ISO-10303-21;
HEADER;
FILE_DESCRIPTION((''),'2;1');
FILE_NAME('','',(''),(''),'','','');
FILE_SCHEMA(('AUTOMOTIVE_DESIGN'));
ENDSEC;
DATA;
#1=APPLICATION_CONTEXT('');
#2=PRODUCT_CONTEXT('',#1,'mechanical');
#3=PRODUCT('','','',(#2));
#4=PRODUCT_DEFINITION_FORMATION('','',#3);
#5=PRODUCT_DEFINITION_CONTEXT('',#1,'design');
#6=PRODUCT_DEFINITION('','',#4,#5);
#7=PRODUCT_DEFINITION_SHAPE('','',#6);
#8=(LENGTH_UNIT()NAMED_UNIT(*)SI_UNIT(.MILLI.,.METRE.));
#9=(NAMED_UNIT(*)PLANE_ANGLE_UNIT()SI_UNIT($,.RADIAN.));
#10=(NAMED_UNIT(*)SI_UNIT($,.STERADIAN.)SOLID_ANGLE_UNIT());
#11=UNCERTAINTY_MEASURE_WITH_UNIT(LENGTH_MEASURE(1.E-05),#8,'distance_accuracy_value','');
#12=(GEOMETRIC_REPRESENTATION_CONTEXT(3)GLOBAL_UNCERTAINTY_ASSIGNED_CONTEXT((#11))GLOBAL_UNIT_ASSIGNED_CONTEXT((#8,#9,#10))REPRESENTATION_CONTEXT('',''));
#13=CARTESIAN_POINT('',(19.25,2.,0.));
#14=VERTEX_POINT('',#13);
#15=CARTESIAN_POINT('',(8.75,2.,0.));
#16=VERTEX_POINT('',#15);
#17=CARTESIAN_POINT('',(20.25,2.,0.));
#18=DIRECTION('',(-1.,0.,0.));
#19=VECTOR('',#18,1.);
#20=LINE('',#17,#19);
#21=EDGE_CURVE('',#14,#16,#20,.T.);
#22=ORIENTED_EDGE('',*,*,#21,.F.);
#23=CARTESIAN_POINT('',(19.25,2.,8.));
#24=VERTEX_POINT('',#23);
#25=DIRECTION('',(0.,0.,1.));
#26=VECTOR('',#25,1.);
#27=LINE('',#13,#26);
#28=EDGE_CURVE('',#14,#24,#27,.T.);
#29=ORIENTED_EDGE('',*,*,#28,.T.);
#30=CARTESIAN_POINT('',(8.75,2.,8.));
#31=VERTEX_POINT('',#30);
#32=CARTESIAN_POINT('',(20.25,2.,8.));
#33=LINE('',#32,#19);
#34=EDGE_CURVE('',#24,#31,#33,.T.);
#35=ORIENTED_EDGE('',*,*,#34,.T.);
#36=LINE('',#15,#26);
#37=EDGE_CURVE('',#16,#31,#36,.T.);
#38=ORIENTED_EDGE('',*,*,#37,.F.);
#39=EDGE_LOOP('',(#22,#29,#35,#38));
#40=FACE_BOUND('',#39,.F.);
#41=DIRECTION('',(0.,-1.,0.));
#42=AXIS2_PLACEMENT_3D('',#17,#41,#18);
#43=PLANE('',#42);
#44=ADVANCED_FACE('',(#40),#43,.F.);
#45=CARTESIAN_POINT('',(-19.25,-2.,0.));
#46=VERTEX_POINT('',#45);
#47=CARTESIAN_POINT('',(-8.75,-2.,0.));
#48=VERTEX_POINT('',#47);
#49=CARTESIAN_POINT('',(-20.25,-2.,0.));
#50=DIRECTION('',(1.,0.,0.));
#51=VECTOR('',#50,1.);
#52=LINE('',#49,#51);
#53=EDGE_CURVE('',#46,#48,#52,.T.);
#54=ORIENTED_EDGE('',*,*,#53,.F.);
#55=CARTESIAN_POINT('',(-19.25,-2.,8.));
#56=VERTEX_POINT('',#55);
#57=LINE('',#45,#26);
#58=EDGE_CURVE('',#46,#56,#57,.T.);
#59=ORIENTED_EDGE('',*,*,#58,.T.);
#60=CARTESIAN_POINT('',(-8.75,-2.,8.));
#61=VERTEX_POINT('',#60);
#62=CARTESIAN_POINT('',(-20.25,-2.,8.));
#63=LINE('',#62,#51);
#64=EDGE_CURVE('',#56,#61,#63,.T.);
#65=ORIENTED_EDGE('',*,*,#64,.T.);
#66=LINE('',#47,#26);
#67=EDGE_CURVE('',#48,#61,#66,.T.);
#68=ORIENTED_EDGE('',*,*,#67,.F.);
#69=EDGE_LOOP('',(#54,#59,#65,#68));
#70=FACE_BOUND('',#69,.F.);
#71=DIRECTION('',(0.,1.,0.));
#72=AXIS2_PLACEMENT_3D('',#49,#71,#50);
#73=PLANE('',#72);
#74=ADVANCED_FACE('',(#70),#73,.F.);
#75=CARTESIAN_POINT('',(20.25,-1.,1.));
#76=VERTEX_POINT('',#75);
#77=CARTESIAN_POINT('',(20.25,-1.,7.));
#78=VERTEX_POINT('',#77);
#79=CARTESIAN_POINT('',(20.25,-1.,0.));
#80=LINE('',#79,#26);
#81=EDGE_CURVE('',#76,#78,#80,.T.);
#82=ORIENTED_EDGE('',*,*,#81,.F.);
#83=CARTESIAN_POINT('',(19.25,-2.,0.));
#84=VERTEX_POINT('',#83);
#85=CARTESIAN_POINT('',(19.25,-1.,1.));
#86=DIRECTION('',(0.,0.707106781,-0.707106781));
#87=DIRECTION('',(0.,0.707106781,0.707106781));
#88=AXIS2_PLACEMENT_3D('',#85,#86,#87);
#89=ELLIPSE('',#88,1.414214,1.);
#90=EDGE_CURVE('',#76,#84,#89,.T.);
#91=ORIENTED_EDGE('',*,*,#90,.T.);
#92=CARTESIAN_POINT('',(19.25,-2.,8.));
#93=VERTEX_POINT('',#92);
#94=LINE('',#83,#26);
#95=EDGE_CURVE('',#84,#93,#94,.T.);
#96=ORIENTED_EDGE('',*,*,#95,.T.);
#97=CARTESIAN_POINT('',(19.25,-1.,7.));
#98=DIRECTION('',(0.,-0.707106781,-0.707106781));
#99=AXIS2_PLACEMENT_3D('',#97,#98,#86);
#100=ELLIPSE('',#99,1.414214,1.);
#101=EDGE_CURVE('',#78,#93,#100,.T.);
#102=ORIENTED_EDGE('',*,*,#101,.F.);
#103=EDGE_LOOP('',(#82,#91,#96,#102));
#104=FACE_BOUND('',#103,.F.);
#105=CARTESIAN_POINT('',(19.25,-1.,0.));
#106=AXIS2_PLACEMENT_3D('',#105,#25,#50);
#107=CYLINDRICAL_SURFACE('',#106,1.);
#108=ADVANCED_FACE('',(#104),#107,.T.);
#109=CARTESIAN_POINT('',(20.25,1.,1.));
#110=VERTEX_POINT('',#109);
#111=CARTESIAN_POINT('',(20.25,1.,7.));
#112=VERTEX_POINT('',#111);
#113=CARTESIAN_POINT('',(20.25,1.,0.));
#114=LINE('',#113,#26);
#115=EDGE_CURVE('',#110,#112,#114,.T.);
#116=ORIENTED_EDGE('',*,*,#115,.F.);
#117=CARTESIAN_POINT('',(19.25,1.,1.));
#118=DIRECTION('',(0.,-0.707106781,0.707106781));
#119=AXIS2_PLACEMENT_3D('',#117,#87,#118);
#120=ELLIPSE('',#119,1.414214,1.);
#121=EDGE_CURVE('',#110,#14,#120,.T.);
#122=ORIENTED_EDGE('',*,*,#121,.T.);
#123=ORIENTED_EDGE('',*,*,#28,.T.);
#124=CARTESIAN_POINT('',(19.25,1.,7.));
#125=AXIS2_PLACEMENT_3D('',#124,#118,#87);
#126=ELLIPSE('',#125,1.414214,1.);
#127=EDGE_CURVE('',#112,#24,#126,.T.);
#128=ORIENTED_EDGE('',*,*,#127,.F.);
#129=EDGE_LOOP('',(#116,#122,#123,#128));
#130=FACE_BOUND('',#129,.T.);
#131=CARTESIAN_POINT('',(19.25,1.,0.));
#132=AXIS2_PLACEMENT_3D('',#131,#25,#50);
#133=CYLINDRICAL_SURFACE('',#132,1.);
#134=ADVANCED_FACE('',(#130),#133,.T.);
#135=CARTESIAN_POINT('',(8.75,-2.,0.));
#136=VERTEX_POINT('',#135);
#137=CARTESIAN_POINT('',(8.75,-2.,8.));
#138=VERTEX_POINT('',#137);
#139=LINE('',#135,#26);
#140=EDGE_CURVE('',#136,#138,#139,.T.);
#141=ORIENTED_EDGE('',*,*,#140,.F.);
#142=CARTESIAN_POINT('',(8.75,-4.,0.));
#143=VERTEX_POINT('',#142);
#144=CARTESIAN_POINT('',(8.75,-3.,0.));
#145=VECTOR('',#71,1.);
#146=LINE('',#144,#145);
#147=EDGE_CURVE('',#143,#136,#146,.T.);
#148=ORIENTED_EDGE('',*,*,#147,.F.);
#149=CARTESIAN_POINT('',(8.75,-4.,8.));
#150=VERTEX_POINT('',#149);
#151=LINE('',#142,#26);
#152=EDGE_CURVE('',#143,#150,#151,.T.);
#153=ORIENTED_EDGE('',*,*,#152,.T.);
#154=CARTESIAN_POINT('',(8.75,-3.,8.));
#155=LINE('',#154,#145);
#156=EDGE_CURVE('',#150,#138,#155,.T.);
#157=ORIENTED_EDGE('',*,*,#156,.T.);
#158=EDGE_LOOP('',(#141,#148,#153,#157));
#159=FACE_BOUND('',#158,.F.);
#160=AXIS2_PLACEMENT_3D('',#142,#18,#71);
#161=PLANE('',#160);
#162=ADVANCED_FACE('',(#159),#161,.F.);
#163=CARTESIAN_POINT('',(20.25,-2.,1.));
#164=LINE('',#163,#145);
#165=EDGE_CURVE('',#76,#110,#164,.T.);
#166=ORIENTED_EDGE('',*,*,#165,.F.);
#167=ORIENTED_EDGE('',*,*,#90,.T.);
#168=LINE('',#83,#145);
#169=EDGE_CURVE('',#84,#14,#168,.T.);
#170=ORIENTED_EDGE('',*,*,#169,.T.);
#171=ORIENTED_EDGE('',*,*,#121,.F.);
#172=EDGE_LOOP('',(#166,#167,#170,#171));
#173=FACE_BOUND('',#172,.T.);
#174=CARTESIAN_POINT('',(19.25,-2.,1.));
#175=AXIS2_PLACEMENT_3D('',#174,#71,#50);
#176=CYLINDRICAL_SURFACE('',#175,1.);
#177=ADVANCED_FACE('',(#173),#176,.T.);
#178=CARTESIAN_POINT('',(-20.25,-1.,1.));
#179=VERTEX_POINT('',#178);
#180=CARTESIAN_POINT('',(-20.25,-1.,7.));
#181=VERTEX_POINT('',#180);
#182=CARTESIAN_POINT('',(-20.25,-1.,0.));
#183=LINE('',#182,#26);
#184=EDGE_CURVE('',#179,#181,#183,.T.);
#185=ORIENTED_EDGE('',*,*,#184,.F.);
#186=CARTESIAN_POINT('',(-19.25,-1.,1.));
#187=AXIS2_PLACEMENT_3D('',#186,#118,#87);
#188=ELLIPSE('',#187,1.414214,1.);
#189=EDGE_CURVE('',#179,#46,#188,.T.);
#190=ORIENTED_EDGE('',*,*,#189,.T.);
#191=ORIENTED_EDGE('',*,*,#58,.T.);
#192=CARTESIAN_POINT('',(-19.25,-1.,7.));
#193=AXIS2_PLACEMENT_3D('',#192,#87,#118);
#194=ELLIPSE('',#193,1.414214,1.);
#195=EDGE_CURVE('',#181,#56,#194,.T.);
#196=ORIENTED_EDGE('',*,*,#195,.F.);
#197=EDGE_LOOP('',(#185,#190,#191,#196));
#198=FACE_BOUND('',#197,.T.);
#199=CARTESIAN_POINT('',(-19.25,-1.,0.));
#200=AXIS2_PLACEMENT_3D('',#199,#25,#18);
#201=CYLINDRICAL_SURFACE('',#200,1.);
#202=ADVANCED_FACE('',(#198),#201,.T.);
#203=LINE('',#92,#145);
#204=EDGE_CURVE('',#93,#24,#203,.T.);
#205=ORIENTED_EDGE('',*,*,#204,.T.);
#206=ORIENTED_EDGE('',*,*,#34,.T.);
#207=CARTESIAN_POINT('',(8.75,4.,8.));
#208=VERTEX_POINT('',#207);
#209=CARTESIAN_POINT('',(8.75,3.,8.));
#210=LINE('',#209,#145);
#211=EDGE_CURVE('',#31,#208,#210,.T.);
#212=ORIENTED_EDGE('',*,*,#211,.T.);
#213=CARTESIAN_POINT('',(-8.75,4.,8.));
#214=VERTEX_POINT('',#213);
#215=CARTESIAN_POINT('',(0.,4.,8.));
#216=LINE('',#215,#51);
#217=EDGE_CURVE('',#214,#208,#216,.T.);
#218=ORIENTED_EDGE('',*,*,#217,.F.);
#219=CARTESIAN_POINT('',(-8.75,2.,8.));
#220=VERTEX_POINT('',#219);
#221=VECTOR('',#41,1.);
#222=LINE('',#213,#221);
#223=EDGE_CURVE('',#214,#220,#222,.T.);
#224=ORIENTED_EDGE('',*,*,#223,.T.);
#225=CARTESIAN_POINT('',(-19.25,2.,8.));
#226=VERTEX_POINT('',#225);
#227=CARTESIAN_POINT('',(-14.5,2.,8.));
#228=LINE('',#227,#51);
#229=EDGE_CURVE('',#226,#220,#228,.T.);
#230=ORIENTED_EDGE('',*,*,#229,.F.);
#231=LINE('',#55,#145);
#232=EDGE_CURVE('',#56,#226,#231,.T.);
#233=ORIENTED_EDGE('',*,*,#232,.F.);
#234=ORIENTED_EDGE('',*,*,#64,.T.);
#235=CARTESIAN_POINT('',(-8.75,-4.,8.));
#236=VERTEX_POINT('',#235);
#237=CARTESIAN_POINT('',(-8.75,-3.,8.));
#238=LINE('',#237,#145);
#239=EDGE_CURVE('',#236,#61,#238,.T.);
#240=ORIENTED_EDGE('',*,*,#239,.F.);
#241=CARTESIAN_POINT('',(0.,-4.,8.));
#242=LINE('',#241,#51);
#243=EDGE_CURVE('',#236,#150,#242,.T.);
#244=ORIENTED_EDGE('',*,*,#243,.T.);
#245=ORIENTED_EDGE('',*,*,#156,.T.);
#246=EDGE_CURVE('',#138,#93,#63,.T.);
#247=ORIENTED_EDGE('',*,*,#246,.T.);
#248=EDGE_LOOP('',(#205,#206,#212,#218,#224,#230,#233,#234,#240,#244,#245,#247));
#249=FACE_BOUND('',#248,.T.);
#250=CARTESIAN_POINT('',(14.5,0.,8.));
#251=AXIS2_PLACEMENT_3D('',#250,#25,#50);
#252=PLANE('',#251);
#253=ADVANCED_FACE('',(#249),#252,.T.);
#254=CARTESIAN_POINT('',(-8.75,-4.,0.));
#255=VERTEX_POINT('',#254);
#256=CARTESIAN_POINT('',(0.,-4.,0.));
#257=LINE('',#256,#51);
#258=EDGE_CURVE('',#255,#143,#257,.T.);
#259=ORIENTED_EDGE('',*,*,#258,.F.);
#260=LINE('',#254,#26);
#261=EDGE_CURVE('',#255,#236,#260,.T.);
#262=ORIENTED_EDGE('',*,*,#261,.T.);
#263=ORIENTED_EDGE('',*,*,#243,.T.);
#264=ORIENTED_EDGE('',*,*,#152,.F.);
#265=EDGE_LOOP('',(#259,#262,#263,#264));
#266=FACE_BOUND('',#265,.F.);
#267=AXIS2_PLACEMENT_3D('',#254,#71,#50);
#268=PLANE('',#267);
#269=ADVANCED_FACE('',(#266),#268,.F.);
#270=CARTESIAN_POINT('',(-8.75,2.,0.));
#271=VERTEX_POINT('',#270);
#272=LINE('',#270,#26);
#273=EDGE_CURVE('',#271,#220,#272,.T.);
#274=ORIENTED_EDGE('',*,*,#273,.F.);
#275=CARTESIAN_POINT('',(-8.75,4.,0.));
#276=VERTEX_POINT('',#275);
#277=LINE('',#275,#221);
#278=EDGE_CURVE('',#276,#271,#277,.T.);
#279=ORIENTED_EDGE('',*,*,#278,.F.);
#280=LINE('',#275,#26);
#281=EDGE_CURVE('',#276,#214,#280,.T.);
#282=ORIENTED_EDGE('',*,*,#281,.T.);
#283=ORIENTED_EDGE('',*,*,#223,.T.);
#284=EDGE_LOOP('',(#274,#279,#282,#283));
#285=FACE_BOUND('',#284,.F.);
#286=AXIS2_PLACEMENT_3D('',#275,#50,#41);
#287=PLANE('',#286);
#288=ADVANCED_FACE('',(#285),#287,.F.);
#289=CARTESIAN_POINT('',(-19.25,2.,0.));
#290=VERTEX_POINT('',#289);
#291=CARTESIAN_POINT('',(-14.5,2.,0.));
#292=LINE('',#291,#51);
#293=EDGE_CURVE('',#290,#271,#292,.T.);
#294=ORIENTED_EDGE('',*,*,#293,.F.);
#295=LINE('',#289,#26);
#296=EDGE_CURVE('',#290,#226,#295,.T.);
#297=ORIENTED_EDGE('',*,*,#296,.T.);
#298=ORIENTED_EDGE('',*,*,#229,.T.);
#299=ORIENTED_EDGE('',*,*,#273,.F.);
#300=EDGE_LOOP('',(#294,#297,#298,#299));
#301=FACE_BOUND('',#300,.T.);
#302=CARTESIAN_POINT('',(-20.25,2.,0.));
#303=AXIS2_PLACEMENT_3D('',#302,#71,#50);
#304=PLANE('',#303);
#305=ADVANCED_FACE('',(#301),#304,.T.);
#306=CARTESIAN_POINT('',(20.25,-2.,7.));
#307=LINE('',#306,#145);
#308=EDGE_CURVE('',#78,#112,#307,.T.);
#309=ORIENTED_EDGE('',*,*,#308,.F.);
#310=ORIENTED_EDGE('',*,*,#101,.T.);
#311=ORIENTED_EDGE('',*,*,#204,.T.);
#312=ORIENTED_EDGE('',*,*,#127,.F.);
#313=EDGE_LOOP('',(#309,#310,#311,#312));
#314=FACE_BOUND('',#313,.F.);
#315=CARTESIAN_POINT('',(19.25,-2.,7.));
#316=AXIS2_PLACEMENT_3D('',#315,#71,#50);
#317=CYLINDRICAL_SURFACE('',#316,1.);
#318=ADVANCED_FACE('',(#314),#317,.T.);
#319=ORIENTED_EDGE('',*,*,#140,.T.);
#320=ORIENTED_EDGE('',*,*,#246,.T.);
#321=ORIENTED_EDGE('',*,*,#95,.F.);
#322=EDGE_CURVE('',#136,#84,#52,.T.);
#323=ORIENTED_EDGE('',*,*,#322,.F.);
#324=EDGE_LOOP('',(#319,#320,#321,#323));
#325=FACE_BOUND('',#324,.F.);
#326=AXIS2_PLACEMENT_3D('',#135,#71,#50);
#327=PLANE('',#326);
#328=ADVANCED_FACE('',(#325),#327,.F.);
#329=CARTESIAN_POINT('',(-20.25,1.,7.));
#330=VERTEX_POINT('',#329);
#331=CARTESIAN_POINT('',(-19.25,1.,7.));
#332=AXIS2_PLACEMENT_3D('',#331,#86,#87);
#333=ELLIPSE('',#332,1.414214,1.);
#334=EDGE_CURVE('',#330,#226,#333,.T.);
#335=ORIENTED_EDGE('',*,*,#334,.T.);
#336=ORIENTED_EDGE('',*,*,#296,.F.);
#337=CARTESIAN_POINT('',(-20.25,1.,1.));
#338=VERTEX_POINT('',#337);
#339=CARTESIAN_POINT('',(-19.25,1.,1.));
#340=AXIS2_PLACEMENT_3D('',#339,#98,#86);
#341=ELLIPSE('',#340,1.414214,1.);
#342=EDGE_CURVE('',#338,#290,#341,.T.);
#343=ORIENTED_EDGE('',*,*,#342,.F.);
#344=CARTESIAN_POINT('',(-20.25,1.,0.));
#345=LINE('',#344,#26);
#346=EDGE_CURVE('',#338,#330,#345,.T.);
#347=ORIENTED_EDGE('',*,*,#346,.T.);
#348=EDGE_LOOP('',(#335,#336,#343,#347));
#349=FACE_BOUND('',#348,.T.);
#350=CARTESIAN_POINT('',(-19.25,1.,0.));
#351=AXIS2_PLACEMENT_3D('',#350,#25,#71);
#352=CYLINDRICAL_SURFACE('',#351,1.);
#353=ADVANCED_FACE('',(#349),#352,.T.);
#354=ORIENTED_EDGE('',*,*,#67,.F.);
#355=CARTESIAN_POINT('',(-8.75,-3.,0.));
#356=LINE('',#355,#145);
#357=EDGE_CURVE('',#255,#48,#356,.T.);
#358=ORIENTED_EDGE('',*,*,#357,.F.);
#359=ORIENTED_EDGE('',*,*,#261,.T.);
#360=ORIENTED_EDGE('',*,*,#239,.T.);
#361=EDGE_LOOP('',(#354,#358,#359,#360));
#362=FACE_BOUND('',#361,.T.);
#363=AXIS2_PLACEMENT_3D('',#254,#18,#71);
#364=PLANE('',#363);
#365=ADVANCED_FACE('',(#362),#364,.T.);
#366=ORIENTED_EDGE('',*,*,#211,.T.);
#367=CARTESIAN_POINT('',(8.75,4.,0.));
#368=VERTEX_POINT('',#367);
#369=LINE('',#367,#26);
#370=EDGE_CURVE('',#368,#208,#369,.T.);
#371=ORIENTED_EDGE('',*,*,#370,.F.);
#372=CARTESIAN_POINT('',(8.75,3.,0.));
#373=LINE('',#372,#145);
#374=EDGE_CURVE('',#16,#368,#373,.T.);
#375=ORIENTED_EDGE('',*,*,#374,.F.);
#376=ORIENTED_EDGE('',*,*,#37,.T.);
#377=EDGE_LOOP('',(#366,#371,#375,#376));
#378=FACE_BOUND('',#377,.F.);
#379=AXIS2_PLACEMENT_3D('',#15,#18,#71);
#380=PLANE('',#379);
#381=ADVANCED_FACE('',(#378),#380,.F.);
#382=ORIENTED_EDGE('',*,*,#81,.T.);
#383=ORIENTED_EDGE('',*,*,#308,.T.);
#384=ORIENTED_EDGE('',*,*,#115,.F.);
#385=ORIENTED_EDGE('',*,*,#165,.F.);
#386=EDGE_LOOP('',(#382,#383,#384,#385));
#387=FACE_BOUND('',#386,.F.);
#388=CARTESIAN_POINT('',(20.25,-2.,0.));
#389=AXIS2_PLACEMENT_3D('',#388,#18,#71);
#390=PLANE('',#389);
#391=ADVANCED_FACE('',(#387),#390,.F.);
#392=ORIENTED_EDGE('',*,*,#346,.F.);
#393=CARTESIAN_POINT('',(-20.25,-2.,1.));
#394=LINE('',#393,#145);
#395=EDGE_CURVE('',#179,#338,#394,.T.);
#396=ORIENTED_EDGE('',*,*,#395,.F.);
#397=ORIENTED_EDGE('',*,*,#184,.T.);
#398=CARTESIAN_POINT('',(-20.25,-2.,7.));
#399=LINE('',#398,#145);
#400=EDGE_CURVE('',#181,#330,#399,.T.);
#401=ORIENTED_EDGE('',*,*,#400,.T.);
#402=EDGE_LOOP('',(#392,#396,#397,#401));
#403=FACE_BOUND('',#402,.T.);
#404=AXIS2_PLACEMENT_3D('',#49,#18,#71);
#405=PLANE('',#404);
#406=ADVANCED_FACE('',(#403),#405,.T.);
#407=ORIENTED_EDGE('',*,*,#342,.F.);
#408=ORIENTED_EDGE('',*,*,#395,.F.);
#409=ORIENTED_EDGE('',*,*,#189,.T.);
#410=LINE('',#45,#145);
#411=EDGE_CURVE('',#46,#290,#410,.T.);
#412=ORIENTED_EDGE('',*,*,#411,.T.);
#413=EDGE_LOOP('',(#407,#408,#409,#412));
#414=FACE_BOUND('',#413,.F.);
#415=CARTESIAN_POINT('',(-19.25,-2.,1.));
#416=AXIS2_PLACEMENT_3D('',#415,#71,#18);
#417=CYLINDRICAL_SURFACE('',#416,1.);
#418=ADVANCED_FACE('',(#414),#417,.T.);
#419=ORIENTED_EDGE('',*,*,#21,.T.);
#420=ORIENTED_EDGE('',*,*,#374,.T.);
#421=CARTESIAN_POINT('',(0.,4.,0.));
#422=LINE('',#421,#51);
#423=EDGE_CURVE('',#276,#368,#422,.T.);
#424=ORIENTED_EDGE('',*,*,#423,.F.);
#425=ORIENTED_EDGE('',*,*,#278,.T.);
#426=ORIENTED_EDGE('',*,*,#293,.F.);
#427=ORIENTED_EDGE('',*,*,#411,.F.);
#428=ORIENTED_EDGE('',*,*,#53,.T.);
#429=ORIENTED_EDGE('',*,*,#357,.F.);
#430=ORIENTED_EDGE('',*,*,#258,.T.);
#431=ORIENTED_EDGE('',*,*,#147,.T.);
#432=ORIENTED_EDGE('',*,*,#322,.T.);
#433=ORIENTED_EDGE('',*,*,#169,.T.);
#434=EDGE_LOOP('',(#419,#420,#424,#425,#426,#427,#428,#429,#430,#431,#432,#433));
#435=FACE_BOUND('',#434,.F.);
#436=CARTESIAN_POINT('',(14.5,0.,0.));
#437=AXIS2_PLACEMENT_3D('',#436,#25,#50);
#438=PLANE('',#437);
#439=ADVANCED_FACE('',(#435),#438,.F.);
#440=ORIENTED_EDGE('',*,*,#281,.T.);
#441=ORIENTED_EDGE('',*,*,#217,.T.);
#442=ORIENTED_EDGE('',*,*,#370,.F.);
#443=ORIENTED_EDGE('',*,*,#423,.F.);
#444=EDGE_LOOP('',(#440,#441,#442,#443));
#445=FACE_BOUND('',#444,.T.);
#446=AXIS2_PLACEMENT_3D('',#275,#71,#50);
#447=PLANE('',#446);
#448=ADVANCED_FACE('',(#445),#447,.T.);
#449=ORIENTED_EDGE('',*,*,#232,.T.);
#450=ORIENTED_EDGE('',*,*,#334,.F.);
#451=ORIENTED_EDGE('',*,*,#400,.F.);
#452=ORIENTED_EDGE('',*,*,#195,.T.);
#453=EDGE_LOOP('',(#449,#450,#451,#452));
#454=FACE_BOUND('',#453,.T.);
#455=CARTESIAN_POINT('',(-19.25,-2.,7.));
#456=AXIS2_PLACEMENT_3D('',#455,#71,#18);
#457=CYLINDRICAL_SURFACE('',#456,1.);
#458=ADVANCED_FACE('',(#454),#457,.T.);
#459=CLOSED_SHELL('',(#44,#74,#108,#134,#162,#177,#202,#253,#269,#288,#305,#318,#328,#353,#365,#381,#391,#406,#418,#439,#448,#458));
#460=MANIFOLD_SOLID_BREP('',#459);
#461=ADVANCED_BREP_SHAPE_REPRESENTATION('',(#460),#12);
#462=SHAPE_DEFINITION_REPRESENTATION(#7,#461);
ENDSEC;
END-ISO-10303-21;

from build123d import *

# Parameters (mm, degrees)
F0_W     = 11.5
F0_H     = 4
F0_W_2   = 17.5
F0_H_2   = 2
F1_DEPTH = 8
F2_R     = 1


with BuildPart() as f1:
    # F0 (on Top) → F1 (new body)
    with BuildSketch(Plane.XY):
        with Locations((14.5, 0)):
            Rectangle(F0_W, F0_H)
        Rectangle(F0_W_2, F0_H)
        with Locations((0, 3)):
            Rectangle(F0_W_2, F0_H_2)
        with Locations((-14.5, 0)):
            Rectangle(F0_W, F0_H)
        with Locations((0, -3)):
            Rectangle(F0_W_2, F0_H_2)
    extrude(amount=F1_DEPTH)

    # F2
    f2_edges = [f1.edges().sort_by_distance(p)[0] for p in [
        (-20.25, -2, 4),
        (-20.25, 0, 8),
        (-20.25, 0, 0),
        (-20.25, 2, 4),
        (20.25, 0, 8),
        (20.25, 2, 4),
        (20.25, 0, 0),
        (20.25, -2, 4),
    ]]
    fillet(f2_edges, radius=F2_R)


solid = f1.part
